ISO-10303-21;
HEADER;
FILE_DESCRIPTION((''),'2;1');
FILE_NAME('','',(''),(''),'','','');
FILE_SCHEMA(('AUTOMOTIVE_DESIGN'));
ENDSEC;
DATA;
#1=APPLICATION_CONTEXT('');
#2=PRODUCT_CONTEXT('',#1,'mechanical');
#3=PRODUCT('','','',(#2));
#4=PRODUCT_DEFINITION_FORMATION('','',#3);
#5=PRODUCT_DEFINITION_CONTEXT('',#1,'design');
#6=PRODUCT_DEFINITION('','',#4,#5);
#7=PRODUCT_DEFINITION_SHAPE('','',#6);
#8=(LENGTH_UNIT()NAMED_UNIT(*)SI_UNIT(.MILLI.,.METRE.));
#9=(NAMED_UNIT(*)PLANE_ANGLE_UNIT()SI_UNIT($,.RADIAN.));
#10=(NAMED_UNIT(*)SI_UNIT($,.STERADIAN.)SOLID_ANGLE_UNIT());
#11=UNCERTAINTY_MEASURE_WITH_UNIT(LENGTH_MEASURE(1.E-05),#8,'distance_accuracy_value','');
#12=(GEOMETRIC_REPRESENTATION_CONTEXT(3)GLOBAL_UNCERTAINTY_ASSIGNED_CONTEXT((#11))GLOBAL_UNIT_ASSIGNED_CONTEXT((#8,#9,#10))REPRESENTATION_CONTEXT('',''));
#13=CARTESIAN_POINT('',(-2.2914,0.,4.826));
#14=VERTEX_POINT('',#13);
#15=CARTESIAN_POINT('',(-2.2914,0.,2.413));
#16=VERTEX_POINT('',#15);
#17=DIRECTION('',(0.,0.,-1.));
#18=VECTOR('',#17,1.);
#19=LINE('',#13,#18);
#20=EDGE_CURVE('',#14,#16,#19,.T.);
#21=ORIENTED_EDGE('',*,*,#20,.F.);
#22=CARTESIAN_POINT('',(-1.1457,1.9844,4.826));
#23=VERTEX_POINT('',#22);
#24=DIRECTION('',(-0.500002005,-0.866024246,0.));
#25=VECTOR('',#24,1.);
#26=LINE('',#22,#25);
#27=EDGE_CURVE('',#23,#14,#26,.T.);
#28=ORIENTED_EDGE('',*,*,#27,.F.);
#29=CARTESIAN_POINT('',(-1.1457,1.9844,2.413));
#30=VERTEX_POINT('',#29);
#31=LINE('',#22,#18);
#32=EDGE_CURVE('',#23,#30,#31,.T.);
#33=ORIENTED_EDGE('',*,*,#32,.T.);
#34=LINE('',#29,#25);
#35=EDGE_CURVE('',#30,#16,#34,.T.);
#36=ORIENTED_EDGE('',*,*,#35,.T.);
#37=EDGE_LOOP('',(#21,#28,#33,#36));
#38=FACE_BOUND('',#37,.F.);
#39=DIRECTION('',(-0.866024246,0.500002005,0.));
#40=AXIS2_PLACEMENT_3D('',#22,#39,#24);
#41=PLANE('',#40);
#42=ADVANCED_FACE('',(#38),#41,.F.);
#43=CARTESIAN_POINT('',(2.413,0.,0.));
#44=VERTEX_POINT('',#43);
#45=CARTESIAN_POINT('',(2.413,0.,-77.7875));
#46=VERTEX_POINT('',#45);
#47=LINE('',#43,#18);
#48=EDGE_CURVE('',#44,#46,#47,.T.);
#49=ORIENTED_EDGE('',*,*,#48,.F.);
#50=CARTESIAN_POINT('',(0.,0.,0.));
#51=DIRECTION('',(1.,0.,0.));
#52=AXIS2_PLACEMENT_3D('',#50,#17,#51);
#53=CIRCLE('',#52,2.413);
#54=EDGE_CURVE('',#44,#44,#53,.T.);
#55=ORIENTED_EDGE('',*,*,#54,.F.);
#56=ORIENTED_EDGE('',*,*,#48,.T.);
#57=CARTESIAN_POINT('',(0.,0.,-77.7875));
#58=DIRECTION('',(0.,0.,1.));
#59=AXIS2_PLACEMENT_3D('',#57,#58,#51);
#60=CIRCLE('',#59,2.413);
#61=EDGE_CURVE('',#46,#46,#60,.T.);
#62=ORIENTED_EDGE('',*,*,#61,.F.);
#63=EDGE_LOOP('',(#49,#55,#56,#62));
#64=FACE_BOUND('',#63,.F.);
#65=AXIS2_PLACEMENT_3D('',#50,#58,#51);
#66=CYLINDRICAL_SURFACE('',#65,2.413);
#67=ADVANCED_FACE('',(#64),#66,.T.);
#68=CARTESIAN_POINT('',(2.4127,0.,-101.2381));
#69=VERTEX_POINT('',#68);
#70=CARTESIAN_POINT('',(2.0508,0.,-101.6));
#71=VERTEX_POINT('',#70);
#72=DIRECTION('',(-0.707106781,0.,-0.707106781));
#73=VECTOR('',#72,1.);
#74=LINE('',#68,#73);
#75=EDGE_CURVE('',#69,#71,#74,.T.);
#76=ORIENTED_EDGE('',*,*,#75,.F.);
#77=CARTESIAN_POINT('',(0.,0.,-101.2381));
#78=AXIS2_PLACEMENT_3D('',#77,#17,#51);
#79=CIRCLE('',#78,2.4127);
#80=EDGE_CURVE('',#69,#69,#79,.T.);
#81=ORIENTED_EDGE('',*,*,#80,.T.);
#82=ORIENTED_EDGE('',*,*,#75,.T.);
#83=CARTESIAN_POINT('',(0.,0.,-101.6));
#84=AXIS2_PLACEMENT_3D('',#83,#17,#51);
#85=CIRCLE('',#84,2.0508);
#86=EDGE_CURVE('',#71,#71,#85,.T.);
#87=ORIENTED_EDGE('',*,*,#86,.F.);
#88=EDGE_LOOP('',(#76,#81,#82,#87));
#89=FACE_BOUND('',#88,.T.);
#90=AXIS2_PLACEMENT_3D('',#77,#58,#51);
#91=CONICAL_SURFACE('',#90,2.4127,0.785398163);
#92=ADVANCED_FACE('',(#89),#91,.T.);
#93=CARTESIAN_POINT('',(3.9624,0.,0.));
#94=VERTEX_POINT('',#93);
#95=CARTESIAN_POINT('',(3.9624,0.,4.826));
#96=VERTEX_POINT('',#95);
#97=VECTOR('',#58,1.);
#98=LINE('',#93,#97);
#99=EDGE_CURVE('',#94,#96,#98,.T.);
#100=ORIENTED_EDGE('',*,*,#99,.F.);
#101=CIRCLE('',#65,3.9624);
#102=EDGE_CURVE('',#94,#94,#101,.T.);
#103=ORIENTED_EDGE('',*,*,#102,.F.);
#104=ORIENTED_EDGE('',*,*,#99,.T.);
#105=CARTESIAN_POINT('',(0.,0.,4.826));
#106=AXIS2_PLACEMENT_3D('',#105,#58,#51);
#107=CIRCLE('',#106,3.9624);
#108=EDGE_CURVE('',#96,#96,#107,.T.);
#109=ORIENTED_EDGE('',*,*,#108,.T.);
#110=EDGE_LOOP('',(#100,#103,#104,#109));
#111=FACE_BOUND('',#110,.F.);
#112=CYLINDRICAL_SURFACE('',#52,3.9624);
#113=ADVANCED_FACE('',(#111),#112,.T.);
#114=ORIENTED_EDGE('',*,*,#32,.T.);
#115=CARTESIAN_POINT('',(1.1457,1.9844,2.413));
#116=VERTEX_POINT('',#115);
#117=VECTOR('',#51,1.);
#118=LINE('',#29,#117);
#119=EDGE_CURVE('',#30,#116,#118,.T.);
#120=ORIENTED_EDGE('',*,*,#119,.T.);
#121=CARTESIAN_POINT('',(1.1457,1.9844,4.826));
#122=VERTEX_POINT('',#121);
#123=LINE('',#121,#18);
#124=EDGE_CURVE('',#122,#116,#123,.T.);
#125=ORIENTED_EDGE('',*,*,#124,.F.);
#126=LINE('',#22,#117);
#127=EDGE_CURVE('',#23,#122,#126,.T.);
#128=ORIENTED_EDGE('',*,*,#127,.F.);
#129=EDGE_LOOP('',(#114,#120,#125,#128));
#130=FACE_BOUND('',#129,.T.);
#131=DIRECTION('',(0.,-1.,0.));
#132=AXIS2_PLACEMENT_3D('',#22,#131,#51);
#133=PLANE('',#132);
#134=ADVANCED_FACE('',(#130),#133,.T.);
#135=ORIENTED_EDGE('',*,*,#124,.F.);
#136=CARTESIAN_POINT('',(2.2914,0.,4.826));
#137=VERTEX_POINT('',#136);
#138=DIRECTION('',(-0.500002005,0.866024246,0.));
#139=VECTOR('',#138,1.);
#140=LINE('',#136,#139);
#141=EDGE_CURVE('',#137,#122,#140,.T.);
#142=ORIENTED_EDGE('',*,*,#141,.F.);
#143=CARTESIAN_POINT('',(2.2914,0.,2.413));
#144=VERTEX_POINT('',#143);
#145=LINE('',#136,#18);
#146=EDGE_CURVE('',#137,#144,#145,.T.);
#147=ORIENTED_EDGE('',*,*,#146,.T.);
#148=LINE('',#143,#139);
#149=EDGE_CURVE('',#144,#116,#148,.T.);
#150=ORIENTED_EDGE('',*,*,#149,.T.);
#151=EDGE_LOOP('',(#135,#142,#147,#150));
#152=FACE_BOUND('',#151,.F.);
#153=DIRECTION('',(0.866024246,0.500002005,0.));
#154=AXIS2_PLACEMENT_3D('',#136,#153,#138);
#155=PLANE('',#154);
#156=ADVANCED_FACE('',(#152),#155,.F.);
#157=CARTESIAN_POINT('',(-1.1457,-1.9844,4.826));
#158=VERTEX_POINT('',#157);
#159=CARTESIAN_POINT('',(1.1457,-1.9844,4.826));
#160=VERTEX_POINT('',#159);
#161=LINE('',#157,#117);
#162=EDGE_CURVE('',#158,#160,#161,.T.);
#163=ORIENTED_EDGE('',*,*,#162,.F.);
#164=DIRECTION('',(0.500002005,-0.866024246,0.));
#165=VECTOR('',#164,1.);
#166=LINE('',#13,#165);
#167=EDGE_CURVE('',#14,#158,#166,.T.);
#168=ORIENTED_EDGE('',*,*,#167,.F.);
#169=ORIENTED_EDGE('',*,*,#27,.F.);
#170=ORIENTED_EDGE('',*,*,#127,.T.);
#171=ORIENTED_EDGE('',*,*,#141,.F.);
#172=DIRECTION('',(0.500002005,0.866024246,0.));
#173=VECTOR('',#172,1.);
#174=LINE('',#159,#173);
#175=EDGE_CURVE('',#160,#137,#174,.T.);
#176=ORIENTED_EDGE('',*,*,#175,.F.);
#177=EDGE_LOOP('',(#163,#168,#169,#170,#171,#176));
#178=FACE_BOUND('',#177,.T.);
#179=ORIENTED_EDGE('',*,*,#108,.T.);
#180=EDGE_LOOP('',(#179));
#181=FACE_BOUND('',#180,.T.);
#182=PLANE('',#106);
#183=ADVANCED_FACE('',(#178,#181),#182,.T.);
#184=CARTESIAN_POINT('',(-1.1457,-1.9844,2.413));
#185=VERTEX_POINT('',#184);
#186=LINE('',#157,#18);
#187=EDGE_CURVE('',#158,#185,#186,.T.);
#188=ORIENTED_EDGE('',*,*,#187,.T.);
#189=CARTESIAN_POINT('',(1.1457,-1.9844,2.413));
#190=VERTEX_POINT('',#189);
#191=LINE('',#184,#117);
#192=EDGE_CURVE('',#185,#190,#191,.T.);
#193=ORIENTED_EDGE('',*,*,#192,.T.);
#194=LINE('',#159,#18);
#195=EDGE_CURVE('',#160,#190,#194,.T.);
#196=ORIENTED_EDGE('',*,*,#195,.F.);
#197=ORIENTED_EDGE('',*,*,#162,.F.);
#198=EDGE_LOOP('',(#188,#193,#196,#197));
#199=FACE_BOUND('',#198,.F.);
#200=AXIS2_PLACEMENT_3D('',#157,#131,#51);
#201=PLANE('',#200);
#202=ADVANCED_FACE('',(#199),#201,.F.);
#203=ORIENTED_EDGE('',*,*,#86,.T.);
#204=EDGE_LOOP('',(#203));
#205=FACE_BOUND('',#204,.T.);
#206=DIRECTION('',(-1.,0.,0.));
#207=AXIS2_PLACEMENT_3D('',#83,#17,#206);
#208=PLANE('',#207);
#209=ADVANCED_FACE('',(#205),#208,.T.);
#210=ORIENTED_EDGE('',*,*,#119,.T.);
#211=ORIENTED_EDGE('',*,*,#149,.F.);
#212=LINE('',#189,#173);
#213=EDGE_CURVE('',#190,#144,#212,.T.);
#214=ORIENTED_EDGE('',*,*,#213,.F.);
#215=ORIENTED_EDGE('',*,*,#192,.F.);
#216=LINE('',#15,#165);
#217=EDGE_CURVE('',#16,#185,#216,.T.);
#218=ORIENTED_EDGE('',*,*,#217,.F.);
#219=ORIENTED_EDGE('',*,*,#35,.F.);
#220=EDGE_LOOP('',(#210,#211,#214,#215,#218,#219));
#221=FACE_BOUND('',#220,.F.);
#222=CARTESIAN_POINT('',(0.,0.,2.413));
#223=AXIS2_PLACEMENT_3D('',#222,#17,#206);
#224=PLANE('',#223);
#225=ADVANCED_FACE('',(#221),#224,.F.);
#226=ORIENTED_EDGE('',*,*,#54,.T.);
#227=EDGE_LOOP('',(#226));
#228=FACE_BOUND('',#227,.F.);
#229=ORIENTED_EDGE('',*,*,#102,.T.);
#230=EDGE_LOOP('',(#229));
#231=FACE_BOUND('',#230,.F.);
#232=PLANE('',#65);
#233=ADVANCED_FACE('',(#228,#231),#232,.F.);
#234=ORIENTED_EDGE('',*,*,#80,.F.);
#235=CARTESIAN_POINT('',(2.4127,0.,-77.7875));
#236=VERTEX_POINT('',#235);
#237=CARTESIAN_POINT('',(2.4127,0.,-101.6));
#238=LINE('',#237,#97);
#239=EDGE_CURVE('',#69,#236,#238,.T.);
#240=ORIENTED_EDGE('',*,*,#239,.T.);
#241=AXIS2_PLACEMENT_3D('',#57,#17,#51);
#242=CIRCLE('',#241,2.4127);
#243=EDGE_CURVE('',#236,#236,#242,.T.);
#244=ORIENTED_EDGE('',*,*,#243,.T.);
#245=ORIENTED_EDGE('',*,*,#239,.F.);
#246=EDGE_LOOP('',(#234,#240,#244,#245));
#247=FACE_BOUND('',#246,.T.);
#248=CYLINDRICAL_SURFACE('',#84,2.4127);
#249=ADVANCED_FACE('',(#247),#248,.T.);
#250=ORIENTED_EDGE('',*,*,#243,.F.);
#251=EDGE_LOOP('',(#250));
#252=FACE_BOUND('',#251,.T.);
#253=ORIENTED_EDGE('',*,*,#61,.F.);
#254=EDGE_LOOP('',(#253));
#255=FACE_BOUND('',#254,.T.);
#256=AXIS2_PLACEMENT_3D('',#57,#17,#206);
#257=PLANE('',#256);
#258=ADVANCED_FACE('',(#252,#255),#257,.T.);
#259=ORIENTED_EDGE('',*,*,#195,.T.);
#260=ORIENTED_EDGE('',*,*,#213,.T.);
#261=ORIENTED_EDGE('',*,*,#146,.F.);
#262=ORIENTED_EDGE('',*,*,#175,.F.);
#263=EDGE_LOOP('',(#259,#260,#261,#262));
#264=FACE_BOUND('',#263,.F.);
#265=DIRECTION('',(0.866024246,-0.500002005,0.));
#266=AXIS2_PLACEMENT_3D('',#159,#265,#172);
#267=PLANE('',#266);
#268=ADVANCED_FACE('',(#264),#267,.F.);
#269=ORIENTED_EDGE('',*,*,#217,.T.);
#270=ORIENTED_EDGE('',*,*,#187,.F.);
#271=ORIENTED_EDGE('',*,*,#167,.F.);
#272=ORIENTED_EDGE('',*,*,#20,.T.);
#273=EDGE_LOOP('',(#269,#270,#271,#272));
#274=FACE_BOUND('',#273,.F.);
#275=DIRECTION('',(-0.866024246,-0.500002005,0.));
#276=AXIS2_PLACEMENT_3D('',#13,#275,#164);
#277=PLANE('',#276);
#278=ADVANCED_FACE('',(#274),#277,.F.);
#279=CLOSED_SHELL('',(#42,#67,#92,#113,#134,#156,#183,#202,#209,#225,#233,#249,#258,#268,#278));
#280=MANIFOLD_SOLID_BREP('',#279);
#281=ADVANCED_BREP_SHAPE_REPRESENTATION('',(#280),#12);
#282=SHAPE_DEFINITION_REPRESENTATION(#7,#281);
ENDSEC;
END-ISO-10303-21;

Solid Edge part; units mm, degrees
sketch "Sketch1" plane through (0, 0, 0) normal (0, 0, 1) x (1, 0, 0)
  circle A0 centre (0, 0) radius 3.9624
  dimension "D1" = 7.9248
extrude "Protrusion1" add sketch "Sketch1" along normal blind 4.826
sketch "Sketch2" plane through (0, 0, 0) normal (0, 0, -1) x (1, 0, 0)
  circle A0 centre (0, 0) radius 2.413
extrude "Protrusion2" add sketch "Sketch2" along normal blind 101.6
sketch "Sketch3" plane through (0, 0, -101.6) normal (0, 0, -1) x (1, 0, 0)
  circle A0 centre (0, 0) radius 2.4127
extrude "Cutout1" cut sketch "Sketch3" against normal blind 23.8125 flip side to cut
chamfer "Chamfer_1" distance 0.3619 angle 45 1 edges at (-2.4127, 0, -101.6)
sketch "Sketch4" plane through (0, 0, 4.826) normal (0, 0, 1) x (1, 0, 0)
  line L0 (-1.1457, 1.9844) -> (1.1457, 1.9844)
  line L1 (2.2914, 0) -> (1.1457, 1.9844)
  line L2 (1.1457, -1.9844) -> (2.2914, 0)
  line L3 (-1.1457, -1.9844) -> (1.1457, -1.9844)
  line L4 (-2.2914, 0) -> (-1.1457, -1.9844)
  line L5 (-1.1457, 1.9844) -> (-2.2914, 0)
  dimension "D1" = 3.9688
extrude "Cutout2" cut sketch "Sketch4" against normal blind 2.413
properties part number "153160"
